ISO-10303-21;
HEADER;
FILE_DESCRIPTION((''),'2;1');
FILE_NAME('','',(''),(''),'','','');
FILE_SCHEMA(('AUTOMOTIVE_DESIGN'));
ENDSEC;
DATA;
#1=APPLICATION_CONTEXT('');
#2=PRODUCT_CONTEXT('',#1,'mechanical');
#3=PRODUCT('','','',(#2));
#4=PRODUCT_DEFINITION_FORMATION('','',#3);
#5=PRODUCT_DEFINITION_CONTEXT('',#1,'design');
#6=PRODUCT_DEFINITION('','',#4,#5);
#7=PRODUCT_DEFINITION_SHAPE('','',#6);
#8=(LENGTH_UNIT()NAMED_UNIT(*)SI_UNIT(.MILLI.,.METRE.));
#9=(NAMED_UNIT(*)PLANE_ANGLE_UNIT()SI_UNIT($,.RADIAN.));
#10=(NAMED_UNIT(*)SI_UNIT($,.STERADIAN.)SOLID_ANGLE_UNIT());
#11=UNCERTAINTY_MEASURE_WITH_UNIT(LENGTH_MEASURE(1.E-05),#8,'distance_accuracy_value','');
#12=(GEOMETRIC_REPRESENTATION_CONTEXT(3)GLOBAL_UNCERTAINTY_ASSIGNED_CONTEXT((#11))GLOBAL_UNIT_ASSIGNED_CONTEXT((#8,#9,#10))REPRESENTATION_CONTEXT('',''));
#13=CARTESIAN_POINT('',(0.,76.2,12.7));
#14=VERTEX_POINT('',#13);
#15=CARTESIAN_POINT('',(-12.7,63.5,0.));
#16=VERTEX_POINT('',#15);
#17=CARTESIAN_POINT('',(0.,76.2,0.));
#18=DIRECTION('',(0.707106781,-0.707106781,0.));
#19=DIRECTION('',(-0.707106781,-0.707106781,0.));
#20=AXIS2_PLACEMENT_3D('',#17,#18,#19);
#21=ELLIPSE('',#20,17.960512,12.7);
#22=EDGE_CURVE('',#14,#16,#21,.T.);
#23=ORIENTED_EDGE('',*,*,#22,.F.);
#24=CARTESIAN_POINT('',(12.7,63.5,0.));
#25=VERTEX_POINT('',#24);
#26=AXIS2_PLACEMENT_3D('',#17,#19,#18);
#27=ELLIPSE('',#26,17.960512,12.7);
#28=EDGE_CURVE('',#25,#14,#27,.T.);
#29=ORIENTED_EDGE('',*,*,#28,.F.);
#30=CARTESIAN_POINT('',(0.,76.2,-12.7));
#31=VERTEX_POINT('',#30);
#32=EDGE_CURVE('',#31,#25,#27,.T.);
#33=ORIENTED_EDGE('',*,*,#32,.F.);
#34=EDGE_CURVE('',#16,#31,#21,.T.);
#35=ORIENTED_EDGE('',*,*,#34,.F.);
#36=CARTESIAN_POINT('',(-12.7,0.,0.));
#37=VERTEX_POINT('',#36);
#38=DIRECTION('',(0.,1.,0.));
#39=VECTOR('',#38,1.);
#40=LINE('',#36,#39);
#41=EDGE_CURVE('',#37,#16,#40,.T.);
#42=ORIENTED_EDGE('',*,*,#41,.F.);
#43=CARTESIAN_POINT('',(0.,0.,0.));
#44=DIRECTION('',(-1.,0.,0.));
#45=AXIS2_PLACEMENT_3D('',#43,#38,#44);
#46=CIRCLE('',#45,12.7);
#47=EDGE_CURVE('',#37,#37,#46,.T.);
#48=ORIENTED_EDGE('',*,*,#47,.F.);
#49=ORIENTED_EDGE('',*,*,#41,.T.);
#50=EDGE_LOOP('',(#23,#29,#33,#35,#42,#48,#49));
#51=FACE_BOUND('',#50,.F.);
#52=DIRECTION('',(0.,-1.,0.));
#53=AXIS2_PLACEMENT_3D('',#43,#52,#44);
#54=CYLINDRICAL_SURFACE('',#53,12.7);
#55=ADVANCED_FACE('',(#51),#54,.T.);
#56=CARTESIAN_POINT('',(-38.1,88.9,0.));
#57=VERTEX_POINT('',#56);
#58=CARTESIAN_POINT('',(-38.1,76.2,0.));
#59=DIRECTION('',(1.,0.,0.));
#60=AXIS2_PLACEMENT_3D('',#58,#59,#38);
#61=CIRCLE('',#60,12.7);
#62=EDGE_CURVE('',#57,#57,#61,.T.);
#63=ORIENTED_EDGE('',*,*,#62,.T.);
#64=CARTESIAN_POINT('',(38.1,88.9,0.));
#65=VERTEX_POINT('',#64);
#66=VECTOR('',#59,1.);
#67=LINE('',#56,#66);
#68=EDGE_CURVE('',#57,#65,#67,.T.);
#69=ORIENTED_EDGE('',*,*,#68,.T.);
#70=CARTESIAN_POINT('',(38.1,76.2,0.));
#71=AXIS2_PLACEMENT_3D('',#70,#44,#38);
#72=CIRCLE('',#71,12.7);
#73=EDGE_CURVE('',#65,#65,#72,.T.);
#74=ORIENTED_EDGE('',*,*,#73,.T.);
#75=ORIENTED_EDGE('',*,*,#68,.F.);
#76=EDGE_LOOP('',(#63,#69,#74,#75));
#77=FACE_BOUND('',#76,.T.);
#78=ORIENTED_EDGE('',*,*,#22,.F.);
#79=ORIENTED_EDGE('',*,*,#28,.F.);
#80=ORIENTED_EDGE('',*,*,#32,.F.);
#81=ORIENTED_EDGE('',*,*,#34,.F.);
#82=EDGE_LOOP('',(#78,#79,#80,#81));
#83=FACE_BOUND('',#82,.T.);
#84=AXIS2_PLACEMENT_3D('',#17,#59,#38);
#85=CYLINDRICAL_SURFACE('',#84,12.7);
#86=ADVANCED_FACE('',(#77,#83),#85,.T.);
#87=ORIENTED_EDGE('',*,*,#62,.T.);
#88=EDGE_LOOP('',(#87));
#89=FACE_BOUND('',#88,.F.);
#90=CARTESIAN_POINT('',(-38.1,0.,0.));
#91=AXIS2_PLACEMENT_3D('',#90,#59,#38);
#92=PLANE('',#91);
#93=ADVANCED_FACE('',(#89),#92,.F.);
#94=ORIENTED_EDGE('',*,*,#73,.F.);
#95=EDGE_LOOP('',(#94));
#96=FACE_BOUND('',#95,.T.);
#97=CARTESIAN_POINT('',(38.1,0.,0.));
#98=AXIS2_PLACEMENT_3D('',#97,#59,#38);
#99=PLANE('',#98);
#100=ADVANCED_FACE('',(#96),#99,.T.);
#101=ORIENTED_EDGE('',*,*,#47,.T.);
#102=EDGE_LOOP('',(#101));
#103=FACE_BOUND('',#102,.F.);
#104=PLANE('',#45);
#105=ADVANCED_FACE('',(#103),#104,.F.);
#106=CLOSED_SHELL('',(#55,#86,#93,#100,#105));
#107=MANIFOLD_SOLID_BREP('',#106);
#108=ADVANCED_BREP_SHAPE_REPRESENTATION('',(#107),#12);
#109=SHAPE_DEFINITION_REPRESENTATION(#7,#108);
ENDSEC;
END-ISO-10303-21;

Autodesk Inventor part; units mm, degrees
ref_plane "YZ Plane" through (0, 0, 0) normal (1, 0, 0) x (0, 1, 0)
ref_plane "XZ Plane" through (0, 0, 0) normal (0, 1, 0) x (-1, 0, 0)
ref_plane "XY Plane" through (0, 0, 0) normal (0, 0, 1) x (1, 0, 0)
sketch "Sketch1" plane through (0, 0, 0) normal (0, 1, 0) x (-1, 0, 0)
  circle A0 centre (0, 0) radius 12.7
  dimension "d0" = 25.4
extrude "Extrusion1" add sketch "Sketch1" along normal blind 76.2
sketch "Sketch2" plane through (0, 0, 0) normal (1, 0, 0) x (0, 1, 0)
  line L0 (76.2, -12.7) -> (76.2, 12.7) projected
  circle A0 centre (76.2, 0) radius 12.7
  point P0 (0, 0)
  dimension "d3" = 25.4
extrude "Extrusion2" add sketch "Sketch2" along normal mid plane 76.2
properties part number "testWhack01"
